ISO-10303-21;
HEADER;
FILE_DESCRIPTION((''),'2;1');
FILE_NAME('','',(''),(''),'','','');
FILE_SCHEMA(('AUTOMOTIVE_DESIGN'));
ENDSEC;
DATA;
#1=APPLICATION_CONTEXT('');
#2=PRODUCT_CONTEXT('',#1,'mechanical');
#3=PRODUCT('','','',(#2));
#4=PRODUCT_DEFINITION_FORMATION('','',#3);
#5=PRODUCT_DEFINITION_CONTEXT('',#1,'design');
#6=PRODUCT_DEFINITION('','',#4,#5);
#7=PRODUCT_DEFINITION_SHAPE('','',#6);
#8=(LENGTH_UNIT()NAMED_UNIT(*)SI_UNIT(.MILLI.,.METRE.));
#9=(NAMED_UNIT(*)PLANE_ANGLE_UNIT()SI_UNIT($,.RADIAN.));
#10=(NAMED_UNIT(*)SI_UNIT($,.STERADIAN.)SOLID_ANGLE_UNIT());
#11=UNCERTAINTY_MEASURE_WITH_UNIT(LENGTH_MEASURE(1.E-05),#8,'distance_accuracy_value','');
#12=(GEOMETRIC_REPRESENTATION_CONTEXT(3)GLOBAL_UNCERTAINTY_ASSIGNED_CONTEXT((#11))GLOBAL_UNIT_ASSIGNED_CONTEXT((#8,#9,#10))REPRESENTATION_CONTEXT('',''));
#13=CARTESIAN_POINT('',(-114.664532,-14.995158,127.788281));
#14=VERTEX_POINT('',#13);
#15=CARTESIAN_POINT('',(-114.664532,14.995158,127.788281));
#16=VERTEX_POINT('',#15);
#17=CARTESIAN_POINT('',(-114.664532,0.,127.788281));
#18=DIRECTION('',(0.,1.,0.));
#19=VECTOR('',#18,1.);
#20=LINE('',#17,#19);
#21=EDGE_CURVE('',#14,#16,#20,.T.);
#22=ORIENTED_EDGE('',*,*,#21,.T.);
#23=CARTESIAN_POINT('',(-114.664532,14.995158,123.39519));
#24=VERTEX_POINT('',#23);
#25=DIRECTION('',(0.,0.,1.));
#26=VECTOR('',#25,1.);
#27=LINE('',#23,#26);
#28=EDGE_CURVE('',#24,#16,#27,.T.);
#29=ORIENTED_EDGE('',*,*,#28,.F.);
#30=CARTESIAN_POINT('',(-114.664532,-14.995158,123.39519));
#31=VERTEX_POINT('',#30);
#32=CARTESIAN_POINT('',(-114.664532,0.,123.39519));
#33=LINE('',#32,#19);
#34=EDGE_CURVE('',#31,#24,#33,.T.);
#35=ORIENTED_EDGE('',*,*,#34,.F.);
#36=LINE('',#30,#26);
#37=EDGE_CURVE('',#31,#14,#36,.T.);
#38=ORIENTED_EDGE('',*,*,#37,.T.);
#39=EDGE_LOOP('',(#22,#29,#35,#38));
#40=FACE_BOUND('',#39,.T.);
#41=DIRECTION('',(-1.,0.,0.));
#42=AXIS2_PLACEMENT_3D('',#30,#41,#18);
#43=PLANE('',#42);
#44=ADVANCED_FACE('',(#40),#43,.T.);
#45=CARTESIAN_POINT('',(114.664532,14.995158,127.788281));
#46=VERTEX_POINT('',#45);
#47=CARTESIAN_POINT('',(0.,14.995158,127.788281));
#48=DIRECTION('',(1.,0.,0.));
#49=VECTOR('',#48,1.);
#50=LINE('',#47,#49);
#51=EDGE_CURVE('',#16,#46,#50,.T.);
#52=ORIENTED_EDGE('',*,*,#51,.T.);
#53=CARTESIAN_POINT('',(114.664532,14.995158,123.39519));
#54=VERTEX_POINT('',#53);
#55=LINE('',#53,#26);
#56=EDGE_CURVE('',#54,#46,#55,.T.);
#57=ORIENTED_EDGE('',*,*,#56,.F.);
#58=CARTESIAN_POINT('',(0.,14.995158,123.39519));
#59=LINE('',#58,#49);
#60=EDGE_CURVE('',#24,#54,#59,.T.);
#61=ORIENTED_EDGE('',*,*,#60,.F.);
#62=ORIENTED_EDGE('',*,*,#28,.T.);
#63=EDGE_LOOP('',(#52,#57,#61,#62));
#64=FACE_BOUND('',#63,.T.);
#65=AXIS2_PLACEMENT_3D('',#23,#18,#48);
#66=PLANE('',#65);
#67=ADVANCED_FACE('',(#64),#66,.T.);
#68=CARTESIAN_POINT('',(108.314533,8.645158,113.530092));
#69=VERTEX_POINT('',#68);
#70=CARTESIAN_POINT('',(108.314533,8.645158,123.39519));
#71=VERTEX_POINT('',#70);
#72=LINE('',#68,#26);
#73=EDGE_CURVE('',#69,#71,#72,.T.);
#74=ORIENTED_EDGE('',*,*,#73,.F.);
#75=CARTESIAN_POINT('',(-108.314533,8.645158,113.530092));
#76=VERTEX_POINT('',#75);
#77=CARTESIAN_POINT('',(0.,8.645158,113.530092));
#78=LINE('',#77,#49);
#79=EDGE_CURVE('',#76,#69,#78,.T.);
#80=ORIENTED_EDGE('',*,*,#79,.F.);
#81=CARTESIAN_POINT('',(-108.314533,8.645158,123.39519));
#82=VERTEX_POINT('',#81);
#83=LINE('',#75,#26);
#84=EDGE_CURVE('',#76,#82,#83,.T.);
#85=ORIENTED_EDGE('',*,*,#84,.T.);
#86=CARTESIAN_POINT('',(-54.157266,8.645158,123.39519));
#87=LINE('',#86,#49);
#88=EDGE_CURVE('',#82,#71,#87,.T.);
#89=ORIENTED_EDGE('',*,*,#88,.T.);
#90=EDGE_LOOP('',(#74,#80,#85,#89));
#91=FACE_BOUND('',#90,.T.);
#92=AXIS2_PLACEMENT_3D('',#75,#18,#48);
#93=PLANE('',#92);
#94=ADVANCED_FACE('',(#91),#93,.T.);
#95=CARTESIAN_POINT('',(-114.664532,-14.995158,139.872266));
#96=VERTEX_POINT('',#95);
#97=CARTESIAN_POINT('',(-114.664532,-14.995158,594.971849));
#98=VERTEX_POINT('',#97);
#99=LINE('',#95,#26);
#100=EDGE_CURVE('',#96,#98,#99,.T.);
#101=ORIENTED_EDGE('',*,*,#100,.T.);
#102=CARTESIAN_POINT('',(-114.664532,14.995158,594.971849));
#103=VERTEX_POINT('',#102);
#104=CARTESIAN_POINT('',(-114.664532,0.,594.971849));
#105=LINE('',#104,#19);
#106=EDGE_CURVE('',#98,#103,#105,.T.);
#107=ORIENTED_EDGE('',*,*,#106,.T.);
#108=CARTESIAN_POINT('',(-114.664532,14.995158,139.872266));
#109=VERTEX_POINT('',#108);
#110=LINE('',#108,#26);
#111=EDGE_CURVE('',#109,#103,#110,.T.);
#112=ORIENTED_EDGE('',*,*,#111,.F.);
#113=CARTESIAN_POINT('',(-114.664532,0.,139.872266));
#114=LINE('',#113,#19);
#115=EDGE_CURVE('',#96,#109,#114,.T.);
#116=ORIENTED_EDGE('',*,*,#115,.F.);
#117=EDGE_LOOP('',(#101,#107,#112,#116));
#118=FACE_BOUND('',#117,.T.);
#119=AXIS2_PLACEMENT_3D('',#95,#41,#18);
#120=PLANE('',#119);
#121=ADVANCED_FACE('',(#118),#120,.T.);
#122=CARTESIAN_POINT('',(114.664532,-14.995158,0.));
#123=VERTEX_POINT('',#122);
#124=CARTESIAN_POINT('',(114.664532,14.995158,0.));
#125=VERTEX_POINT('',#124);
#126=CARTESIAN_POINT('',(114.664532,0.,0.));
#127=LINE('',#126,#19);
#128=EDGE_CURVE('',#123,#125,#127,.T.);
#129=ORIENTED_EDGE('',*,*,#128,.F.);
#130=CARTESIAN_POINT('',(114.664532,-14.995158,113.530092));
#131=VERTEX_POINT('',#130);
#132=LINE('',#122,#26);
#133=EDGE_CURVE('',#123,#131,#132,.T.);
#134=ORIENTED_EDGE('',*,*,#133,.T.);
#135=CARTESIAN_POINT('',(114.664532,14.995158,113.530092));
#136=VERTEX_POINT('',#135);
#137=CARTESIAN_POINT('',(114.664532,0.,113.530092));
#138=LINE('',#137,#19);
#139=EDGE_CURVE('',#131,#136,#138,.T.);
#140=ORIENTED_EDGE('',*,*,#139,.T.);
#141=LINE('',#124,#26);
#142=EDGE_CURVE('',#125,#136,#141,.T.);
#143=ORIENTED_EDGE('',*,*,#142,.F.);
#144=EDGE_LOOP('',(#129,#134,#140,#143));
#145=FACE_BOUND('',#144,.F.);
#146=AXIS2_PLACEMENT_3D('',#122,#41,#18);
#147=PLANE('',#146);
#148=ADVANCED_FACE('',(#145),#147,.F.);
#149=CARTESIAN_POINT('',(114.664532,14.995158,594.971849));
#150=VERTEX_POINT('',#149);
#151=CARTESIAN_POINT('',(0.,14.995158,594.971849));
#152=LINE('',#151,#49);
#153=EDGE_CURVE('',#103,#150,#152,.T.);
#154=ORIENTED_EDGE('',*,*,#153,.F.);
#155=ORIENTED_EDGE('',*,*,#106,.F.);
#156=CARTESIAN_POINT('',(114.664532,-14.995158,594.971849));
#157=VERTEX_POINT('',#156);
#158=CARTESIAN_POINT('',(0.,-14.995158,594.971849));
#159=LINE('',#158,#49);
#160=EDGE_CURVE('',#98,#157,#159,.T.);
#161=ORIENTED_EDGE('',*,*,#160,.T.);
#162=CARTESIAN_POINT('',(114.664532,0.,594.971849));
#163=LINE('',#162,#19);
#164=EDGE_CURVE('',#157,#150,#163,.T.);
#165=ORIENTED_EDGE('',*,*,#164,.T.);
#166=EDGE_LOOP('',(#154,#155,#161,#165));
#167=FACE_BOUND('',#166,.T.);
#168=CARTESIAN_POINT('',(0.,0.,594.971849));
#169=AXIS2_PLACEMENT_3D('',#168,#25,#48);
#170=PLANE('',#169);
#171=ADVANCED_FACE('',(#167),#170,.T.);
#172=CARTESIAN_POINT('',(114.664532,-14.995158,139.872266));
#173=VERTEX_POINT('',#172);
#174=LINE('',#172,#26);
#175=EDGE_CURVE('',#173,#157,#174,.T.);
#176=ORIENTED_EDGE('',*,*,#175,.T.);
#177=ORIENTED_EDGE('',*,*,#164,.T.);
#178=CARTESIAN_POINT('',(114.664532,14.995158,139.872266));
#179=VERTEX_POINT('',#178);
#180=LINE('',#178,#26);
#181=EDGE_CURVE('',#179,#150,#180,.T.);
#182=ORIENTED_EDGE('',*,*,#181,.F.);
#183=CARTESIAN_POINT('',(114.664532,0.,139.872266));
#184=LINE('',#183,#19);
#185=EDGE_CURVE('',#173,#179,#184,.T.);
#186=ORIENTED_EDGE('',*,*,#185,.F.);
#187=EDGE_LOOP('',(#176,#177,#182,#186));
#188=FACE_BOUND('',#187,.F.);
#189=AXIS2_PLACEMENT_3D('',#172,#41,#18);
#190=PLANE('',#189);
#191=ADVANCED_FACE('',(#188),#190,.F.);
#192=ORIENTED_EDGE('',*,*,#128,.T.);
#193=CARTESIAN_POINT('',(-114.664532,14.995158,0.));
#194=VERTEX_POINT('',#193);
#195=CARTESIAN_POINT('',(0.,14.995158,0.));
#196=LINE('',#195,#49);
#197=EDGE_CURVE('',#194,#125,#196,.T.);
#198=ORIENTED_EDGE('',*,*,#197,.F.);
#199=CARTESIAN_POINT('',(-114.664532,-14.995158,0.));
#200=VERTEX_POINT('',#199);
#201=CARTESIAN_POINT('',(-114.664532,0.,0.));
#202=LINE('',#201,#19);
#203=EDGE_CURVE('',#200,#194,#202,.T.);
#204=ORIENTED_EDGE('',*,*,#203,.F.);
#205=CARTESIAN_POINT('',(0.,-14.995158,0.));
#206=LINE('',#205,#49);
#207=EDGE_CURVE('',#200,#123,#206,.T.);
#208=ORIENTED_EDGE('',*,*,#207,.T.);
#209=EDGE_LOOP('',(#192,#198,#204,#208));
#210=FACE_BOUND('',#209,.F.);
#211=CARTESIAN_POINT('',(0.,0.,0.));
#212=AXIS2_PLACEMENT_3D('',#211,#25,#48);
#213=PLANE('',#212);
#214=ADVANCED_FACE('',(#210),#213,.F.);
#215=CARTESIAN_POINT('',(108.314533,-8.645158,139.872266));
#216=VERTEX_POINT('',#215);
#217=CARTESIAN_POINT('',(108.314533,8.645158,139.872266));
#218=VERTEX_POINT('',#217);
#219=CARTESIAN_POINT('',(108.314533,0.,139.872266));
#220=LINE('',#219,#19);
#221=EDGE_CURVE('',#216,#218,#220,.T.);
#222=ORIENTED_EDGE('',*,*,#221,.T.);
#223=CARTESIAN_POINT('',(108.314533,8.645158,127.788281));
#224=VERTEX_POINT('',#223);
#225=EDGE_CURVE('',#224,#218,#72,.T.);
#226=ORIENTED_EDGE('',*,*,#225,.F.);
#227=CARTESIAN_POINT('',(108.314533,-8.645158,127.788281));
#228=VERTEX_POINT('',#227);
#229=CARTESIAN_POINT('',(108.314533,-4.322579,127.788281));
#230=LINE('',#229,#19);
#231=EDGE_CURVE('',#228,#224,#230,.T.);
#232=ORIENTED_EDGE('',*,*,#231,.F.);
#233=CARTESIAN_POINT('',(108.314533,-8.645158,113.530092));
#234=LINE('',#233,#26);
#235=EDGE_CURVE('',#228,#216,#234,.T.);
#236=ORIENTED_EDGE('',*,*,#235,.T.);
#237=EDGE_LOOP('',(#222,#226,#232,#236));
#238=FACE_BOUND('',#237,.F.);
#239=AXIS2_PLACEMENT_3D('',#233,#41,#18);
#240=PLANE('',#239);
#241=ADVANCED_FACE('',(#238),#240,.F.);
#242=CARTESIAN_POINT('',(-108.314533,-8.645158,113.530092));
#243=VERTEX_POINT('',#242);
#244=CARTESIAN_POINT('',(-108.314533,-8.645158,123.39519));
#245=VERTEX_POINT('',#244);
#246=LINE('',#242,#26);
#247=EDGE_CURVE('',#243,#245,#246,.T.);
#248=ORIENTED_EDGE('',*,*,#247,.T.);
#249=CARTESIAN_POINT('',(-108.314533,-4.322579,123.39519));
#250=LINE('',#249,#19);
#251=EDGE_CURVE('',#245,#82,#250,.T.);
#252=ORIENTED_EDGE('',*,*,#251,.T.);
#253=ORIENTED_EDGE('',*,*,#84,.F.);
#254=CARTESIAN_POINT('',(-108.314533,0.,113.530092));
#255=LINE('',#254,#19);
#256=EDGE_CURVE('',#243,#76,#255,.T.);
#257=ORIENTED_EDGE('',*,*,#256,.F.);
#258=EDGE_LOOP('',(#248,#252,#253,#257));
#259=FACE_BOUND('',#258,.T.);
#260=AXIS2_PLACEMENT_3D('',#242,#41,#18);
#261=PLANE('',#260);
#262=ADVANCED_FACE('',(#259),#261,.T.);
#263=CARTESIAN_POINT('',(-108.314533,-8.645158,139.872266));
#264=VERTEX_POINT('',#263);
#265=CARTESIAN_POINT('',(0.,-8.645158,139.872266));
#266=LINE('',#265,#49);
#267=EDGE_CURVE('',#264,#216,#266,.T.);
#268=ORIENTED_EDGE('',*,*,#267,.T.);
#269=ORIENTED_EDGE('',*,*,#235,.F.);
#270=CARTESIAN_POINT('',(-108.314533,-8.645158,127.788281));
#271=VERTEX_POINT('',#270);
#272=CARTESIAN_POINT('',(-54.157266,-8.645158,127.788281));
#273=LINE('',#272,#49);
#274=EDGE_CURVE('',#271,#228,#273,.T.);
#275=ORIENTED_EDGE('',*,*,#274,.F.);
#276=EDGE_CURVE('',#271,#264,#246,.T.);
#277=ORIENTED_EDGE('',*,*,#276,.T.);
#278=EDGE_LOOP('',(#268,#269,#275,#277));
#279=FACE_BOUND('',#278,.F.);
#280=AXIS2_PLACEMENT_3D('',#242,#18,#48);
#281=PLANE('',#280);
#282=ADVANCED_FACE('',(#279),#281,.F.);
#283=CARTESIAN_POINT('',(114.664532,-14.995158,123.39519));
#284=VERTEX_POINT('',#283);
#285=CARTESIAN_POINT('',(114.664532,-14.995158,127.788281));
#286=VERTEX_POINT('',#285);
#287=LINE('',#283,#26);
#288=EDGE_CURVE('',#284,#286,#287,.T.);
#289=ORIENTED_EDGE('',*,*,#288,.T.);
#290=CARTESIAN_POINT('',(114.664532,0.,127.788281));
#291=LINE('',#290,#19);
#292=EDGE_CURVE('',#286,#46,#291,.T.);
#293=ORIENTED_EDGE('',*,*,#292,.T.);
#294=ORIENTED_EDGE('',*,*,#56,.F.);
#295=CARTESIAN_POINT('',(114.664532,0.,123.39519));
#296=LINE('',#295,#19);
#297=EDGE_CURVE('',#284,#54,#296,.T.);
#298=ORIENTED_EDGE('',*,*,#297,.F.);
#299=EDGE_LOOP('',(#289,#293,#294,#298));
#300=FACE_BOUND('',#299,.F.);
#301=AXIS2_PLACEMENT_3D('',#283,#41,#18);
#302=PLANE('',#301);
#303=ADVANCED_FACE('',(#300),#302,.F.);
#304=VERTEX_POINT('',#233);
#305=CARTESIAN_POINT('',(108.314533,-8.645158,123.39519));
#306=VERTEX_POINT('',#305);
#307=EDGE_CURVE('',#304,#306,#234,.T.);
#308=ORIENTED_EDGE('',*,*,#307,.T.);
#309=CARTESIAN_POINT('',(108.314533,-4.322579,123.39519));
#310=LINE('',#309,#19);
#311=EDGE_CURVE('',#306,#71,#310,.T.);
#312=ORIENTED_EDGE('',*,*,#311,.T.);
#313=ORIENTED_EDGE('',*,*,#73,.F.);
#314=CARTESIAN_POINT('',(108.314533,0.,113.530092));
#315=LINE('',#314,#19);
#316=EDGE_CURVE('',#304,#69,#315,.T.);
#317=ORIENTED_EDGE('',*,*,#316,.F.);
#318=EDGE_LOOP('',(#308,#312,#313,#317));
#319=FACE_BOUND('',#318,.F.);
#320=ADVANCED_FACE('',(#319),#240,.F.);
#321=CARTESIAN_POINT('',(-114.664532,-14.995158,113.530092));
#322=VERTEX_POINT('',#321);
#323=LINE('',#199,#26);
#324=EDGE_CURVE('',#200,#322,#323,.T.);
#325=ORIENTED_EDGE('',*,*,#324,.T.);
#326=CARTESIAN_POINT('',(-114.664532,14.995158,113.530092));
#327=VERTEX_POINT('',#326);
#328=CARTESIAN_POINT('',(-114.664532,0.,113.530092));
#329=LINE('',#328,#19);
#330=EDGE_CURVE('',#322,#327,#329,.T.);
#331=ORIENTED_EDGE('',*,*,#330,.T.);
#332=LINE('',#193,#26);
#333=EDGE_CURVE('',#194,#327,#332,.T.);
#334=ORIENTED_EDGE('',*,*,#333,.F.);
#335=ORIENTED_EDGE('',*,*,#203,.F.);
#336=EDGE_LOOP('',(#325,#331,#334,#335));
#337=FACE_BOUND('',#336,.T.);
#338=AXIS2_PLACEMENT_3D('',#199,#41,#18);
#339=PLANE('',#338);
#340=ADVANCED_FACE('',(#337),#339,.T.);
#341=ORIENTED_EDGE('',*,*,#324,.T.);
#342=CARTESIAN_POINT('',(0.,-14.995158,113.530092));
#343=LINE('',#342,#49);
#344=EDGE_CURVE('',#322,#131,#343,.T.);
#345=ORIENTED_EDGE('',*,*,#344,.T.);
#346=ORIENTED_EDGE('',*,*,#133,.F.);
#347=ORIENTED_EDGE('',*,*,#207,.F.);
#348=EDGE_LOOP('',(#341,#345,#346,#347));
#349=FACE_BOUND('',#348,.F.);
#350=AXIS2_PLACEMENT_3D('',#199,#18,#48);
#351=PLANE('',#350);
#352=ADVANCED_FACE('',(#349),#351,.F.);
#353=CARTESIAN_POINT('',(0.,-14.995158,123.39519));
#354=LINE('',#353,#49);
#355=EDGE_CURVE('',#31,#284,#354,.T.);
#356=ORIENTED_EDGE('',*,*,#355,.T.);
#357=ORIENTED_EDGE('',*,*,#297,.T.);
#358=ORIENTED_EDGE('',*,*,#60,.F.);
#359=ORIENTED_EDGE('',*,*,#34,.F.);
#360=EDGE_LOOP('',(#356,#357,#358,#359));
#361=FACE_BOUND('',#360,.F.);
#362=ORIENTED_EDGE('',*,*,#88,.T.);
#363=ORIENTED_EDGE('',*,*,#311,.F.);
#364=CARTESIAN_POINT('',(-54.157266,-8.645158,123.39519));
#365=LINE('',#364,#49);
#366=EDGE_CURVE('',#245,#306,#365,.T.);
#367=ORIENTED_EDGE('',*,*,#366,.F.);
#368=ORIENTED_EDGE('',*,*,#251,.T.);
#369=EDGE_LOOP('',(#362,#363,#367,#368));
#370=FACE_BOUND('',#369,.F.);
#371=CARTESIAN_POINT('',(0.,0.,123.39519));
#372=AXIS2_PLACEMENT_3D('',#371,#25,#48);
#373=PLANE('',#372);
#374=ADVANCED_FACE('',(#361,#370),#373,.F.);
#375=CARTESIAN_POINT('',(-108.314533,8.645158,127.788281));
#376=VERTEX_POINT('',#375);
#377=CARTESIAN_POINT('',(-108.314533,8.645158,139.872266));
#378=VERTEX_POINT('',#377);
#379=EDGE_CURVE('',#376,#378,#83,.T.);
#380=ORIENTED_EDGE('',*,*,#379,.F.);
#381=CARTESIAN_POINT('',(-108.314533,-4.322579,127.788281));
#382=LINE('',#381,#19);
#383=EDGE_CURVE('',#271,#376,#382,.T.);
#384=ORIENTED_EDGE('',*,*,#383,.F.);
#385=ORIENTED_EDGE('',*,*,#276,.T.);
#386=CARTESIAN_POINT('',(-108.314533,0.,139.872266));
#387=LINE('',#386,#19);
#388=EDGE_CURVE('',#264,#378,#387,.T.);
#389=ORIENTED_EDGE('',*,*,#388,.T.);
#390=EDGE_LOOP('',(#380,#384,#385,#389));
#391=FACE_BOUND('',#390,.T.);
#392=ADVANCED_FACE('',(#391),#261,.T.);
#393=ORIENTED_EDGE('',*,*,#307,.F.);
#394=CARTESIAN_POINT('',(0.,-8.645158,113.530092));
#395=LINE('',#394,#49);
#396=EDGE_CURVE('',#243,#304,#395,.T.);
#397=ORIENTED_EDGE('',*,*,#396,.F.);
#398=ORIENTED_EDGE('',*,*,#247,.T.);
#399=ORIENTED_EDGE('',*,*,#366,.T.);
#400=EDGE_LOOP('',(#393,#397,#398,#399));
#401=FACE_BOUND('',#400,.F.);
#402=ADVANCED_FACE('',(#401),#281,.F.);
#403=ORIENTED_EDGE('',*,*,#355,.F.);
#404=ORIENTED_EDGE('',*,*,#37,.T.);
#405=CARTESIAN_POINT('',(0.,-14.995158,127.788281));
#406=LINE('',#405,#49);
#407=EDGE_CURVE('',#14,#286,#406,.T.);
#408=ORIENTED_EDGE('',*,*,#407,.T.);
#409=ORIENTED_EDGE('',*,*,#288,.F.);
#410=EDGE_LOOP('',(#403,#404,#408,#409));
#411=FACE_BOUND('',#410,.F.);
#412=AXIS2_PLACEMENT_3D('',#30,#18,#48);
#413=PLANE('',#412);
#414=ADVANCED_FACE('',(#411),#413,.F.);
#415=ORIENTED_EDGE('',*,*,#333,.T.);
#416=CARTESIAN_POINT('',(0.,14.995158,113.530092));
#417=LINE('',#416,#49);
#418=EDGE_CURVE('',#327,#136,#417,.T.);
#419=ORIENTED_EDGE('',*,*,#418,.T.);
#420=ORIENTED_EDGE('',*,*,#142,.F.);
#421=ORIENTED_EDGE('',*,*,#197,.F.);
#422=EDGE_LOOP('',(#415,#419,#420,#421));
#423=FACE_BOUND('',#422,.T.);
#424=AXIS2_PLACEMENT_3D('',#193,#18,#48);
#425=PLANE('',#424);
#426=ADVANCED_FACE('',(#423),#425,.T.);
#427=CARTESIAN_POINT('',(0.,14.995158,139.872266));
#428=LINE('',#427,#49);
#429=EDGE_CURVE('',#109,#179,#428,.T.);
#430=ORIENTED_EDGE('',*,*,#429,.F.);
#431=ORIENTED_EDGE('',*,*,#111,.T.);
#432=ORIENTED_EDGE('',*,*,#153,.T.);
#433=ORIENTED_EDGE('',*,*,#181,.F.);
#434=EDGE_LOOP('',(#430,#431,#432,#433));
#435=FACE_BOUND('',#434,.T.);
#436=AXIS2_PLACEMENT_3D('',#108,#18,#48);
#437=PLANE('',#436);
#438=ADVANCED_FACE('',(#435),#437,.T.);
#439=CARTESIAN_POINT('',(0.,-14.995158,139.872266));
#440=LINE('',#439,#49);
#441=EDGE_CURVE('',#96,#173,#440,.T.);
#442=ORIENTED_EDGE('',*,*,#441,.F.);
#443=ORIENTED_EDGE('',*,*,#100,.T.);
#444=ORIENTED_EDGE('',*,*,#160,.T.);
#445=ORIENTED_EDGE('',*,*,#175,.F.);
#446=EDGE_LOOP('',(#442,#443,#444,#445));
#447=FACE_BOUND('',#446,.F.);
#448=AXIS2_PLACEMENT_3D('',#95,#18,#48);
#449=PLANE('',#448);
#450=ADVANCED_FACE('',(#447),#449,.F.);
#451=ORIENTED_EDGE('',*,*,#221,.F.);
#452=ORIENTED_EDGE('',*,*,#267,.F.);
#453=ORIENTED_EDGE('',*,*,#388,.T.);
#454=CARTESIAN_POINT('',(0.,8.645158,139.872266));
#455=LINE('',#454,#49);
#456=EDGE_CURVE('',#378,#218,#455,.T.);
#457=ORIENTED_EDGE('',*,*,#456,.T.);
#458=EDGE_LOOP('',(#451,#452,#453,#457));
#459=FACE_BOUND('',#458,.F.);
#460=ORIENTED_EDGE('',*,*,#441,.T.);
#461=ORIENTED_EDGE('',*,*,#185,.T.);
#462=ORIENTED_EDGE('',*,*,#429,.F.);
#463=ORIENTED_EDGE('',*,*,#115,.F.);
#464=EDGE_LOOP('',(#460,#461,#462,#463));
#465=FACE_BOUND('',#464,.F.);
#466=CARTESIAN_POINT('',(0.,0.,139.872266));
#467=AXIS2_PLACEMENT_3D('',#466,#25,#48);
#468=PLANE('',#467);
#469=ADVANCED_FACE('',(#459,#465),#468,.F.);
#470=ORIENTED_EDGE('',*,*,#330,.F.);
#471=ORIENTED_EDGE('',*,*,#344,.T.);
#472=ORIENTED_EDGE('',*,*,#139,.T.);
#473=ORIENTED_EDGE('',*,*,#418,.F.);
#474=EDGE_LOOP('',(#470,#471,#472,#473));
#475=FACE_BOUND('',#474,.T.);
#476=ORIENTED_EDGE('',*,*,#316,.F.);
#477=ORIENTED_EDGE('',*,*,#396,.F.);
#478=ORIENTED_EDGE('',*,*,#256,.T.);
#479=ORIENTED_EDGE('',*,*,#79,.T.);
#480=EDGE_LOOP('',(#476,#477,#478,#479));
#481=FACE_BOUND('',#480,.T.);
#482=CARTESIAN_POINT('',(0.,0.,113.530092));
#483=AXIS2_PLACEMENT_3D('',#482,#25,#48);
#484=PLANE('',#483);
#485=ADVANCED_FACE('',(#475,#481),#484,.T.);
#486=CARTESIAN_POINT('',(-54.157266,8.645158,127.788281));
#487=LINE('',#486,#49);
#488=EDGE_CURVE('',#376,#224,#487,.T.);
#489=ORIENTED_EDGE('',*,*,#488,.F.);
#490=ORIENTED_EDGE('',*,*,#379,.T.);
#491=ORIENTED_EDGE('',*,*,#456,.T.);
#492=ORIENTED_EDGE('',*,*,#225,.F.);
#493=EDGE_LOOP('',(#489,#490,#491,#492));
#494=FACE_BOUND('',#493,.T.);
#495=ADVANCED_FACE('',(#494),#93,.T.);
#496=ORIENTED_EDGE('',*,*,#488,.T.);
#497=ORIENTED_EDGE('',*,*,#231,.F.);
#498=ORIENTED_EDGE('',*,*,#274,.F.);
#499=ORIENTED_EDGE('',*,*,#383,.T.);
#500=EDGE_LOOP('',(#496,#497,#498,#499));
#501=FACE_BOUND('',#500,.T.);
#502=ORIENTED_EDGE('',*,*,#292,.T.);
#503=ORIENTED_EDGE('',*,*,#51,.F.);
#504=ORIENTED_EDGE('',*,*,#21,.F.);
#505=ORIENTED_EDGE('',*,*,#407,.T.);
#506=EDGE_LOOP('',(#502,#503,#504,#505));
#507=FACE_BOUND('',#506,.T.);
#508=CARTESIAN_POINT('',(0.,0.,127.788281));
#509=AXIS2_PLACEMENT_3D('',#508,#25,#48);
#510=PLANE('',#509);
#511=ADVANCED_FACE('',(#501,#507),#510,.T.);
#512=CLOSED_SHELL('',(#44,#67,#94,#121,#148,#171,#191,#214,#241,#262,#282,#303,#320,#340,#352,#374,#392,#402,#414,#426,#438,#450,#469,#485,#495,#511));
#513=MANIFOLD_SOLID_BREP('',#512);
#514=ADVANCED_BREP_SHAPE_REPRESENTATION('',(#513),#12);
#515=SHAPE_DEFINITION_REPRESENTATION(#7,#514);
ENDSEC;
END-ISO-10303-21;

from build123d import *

# Parameters (mm, degrees)
F0_W     = 229.329064
F0_H     = 29.990316
F1_DEPTH = 113.530092
F2_W     = 216.629066
F2_H     = 17.290316
F3_DEPTH = 26.342174
F5_W     = 229.329064
F5_H     = 29.990316
F6_DEPTH = 4.393091
F7_W     = 229.329064
F7_H     = 29.990316
F7_W_2   = 216.629066
F7_H_2   = 17.290316
F8_DEPTH = 455.099583


with BuildPart() as f1:
    # F0 (on Top) → F1 (new body)
    with BuildSketch(Plane.XY):
        Rectangle(F0_W, F0_H)
    extrude(amount=F1_DEPTH)

    # F2 (on face) → F3 (join)
    with BuildSketch(Plane.XY.offset(113.530092)):
        Rectangle(F2_W, F2_H)
    extrude(amount=F3_DEPTH)

    # F5 (on offset) → F6 (join)
    with BuildSketch(Plane.XY.offset(123.39519)):
        Rectangle(F5_W, F5_H)
    extrude(amount=F6_DEPTH)

    # F7 (on face) → F8 (join)
    with BuildSketch(Plane.XY.offset(139.872266)):
        Rectangle(F7_W, F7_H)
        Rectangle(F7_W_2, F7_H_2, mode=Mode.SUBTRACT)
        Rectangle(F7_W_2, F7_H_2)
    extrude(amount=F8_DEPTH)


solid = f1.part
